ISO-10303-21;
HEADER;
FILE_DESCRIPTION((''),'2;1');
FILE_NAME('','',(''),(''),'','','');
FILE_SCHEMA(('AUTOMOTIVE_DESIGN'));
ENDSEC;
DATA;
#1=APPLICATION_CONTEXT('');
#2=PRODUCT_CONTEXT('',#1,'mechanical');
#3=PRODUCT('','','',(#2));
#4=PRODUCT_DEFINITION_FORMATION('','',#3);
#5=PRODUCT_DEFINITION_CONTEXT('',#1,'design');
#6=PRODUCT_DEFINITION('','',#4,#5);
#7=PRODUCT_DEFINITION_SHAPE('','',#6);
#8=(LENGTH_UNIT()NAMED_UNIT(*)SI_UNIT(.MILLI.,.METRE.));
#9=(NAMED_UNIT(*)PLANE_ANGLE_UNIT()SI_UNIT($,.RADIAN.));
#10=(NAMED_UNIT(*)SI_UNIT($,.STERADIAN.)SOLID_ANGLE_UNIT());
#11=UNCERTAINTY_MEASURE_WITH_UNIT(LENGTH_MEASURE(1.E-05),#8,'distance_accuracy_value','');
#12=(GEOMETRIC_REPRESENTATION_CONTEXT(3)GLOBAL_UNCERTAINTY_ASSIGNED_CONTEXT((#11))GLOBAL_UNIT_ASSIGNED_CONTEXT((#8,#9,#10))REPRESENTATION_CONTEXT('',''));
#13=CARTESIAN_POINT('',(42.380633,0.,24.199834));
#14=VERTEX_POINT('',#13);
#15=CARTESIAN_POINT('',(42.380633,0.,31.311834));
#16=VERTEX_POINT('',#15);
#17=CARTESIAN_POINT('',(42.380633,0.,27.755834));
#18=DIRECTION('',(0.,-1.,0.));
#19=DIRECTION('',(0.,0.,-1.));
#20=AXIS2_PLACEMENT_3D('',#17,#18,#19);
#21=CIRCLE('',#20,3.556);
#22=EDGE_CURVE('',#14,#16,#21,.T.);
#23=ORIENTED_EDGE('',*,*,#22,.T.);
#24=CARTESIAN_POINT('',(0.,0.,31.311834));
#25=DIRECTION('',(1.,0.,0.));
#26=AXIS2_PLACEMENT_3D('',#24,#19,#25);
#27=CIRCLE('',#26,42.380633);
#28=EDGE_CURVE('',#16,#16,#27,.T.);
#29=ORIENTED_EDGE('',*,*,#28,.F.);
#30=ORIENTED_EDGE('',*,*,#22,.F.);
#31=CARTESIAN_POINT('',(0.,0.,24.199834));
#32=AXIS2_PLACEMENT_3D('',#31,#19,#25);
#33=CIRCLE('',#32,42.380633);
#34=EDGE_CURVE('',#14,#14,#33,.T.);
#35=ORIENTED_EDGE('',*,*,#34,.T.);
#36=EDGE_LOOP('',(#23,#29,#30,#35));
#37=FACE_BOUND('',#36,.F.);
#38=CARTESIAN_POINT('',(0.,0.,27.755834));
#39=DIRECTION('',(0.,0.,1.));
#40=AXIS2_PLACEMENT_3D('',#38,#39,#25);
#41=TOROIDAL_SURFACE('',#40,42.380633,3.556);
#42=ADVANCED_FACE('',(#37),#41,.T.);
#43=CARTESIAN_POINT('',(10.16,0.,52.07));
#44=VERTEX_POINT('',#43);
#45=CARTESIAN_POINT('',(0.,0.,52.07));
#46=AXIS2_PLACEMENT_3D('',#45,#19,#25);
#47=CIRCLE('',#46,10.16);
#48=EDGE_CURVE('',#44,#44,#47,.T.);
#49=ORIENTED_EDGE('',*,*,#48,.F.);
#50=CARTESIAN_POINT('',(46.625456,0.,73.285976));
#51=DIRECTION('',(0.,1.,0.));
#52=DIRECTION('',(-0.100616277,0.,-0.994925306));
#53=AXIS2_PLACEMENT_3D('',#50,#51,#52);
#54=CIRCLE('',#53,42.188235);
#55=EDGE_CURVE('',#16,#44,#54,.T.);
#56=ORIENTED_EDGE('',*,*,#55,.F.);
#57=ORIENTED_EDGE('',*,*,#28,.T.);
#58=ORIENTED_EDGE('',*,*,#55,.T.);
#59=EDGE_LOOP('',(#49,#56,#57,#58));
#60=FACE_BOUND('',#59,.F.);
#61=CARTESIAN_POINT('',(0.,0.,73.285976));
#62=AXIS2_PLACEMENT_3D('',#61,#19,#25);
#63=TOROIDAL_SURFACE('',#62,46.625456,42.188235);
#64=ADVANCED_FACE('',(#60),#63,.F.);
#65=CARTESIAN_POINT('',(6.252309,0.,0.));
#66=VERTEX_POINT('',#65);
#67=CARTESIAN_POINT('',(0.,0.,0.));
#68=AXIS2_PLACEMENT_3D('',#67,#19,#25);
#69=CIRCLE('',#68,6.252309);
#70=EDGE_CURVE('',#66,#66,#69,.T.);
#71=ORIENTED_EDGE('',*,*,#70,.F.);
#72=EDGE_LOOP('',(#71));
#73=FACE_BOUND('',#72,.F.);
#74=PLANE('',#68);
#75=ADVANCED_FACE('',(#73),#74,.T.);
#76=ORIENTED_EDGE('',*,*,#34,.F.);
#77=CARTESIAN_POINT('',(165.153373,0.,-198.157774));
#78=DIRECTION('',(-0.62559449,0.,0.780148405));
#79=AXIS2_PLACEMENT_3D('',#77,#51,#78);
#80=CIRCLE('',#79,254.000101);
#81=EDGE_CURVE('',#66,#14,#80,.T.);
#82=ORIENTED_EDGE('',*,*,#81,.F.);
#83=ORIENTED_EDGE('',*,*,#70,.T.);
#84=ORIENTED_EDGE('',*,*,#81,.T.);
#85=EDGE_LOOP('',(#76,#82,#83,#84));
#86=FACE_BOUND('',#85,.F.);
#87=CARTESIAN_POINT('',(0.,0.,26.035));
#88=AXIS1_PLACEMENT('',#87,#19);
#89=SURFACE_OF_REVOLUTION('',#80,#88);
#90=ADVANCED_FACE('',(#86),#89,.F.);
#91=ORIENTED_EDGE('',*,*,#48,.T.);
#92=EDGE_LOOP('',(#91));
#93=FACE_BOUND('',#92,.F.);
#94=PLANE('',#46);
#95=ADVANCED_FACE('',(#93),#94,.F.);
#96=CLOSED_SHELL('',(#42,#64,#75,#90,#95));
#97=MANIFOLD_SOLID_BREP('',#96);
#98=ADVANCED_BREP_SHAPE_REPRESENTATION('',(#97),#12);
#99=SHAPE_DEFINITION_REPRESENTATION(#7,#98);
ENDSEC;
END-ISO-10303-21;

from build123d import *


with BuildPart() as f1:
    # F0 (on Front) → F1 (revolve)
    with BuildSketch(Plane.XZ):
        with BuildLine():
            Line((0, 52.07), (0, 0))
            Line((0, 0), (6.252309, 0))
            ThreePointArc((6.252309, 0), (23.797648, 12.874476), (42.380633, 24.199834))
            ThreePointArc((42.380633, 24.199834), (45.936633, 27.755834), (42.380633, 31.311834))
            ThreePointArc((42.380633, 31.311834), (23.776888, 37.82064), (10.16, 52.07))
            Line((10.16, 52.07), (0, 52.07))
        make_face()
    revolve(axis=Axis((0, 0, 26.035), (0, 0, -1)))


solid = f1.part
